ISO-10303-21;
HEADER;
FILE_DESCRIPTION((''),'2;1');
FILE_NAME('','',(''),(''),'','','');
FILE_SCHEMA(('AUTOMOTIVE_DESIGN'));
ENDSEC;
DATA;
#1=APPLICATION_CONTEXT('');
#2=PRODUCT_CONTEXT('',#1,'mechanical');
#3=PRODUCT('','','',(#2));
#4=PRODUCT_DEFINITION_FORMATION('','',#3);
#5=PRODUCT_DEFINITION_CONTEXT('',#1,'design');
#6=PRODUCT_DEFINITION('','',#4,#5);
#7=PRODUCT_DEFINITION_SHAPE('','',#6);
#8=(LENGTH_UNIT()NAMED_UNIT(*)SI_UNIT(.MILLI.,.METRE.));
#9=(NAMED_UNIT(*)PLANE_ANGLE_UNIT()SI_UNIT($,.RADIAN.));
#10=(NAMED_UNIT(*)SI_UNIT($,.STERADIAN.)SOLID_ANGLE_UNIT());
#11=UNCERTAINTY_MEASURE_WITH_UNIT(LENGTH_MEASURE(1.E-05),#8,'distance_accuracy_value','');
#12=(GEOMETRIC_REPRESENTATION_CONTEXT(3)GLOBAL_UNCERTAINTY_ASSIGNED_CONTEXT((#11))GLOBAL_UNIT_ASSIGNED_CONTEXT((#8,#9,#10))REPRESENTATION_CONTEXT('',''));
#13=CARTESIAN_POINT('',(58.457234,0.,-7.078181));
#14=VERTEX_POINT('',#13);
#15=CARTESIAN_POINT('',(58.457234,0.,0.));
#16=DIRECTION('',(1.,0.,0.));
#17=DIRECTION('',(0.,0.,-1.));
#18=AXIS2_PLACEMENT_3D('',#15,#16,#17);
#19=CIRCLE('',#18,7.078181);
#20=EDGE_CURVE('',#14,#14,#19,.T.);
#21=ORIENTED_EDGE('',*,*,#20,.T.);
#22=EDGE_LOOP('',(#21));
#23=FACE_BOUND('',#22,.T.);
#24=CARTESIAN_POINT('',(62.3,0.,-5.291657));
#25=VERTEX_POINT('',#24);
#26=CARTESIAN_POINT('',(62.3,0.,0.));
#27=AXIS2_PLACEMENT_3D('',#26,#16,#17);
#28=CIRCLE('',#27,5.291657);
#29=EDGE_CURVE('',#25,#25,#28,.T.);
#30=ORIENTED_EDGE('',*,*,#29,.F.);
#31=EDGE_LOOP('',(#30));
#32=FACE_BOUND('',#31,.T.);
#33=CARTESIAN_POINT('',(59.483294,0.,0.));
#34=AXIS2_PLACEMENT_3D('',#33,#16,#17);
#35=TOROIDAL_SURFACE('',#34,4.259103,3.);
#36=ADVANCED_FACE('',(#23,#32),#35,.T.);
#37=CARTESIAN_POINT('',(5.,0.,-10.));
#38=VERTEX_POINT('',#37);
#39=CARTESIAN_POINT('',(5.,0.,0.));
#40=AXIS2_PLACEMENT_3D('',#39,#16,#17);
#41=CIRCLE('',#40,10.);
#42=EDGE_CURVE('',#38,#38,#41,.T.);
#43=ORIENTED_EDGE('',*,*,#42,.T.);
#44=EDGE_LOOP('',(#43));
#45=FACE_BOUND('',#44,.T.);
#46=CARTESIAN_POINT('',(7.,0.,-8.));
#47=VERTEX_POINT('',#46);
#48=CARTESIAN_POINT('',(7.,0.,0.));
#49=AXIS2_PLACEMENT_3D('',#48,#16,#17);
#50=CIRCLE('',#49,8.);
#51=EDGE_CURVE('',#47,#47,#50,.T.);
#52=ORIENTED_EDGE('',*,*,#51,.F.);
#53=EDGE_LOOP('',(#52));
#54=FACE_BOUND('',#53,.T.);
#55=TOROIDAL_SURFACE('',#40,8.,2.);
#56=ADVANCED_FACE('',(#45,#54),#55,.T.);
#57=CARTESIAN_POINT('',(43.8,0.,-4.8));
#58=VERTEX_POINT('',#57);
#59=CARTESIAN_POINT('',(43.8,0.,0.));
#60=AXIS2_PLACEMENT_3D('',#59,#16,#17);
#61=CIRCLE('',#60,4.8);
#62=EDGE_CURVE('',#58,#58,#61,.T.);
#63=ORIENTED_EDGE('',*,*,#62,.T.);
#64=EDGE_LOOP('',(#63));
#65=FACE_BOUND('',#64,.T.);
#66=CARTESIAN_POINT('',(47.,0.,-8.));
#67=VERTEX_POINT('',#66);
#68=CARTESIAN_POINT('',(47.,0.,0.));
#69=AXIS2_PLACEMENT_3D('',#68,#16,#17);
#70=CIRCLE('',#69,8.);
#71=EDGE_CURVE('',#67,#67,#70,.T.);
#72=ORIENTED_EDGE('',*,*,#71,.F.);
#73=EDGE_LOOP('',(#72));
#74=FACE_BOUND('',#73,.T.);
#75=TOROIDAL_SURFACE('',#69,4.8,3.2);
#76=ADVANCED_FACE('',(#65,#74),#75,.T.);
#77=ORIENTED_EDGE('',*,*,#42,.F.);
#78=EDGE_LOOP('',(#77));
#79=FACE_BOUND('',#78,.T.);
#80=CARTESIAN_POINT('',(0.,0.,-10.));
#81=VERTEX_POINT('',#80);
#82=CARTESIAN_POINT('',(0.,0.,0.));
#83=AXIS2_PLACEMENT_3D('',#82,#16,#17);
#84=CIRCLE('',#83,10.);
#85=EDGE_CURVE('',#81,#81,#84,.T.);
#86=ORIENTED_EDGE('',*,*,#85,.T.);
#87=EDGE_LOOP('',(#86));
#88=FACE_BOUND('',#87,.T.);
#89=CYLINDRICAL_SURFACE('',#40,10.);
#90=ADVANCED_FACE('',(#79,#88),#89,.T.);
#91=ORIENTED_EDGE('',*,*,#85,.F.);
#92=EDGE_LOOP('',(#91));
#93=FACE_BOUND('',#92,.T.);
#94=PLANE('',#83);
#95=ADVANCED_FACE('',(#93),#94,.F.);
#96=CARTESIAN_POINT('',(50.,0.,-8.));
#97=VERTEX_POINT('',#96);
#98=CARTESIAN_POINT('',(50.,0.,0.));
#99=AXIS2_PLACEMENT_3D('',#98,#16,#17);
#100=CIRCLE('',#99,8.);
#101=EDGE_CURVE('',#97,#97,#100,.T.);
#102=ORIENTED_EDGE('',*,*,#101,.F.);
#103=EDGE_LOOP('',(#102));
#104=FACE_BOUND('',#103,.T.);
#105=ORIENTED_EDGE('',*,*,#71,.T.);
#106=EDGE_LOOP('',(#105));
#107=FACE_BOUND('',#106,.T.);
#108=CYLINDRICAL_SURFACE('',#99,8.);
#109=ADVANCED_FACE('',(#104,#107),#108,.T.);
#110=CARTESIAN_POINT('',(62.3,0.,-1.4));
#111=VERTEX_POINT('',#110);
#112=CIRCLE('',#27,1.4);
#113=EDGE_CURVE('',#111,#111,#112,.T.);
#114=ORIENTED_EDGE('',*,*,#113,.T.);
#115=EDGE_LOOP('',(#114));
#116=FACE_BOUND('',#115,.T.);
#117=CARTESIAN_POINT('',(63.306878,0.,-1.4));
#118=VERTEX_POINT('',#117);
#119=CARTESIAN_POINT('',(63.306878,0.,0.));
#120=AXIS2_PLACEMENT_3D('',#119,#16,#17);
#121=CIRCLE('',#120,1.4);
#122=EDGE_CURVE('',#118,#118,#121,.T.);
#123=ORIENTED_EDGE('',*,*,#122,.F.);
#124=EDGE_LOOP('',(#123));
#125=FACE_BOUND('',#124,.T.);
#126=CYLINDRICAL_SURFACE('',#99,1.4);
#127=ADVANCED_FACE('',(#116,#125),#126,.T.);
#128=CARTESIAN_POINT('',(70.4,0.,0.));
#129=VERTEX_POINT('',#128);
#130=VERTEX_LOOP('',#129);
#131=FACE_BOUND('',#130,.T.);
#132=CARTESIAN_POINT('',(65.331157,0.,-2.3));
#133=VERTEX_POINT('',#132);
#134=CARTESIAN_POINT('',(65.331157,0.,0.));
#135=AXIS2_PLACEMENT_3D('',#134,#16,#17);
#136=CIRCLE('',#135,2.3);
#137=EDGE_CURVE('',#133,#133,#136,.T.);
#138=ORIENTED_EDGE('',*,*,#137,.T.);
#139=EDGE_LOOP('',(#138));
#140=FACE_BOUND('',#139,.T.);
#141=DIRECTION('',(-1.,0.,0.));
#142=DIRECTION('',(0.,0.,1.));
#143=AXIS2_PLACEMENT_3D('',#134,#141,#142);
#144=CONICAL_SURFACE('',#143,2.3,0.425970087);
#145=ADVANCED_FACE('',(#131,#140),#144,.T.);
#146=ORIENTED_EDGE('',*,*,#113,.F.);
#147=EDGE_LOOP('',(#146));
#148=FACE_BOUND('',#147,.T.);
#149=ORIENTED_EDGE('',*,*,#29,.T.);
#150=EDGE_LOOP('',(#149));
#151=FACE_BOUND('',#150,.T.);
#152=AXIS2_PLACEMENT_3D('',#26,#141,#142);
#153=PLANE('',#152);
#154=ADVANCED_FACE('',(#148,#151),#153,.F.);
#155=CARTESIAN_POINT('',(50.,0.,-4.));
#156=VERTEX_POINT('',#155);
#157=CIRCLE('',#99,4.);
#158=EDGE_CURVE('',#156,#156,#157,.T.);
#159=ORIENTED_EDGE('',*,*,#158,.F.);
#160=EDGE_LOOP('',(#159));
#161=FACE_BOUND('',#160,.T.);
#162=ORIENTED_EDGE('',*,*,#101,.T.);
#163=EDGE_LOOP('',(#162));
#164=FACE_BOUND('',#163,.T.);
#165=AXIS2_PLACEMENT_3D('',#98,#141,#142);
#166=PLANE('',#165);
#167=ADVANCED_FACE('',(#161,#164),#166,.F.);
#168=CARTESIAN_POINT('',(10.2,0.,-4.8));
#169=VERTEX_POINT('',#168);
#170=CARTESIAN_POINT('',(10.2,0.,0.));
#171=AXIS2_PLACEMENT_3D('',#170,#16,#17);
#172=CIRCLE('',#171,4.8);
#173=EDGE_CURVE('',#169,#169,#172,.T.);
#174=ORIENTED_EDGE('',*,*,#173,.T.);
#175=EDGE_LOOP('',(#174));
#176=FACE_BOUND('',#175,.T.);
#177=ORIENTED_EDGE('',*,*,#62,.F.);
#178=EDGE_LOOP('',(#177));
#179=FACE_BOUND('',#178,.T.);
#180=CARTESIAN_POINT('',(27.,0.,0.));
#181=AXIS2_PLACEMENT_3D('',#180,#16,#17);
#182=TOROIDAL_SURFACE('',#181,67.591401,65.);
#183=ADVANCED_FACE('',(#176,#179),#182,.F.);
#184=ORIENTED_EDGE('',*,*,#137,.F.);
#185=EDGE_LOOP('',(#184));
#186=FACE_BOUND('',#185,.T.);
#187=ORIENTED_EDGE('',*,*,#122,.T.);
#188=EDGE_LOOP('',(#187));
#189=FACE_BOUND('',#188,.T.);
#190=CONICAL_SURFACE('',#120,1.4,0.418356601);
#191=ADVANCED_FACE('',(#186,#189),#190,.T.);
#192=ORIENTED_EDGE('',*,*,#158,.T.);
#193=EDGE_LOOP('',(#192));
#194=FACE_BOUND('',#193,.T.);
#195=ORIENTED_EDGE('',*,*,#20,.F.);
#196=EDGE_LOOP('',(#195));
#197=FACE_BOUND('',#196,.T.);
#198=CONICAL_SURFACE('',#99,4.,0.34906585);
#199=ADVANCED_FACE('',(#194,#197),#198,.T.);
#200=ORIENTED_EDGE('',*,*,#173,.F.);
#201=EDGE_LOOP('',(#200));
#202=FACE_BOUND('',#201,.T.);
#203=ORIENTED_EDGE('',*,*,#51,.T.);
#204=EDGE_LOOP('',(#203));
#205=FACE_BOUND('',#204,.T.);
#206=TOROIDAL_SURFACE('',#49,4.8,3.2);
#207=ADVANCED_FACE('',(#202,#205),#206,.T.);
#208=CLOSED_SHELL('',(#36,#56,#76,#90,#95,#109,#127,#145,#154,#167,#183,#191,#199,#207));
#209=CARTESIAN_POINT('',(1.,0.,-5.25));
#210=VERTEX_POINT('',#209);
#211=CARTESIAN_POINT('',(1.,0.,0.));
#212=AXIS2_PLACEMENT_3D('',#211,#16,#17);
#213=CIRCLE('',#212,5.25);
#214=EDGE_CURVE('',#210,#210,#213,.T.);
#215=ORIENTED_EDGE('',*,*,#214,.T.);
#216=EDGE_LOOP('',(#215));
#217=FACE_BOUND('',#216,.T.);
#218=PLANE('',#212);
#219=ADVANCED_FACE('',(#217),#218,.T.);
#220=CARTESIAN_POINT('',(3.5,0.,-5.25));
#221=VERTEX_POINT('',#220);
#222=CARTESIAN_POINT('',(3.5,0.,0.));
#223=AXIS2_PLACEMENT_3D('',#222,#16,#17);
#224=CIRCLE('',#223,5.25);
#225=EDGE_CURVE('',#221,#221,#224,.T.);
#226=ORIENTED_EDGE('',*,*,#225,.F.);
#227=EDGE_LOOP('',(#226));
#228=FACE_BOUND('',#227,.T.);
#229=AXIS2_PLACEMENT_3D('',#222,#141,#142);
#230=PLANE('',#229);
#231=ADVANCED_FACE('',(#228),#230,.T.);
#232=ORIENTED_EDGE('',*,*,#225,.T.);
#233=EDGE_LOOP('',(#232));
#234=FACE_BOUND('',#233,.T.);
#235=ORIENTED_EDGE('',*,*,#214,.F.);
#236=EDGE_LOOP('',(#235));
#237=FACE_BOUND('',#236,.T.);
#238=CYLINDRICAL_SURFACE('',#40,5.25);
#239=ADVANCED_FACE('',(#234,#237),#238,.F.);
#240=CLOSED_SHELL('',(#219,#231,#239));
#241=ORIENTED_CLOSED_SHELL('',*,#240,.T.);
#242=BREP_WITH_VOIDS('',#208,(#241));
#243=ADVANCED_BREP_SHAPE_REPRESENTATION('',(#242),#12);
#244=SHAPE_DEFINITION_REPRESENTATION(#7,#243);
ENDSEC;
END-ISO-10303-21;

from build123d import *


with BuildPart() as part:
    # Sketch 153 → Повернуть1 (revolve)
    with BuildSketch(Plane(origin=(0, 0, 0), x_dir=(1, 0, 0), z_dir=(0, 1, 0))):
        Polygon((0, 10), (0, 0), (1, 0), (1, 5.25), (3.5, 5.25), (3.5, 0), (5, 0), (5, 10), align=None)
        with BuildLine():
            ThreePointArc((7, 8), (6.414213562, 9.414213562), (5, 10))
            Line((5, 10), (5, 0))
            Line((5, 0), (7, 0))
            Line((7, 0), (7, 8))
        make_face()
        with BuildLine():
            ThreePointArc((10.2, 4.8), (9.2627417, 7.0627417), (7, 8))
            Line((7, 8), (7, 0))
            Line((7, 0), (10.2, 0))
            Line((10.2, 0), (10.2, 4.8))
        make_face()
    revolve(axis=Axis((5, 0, 0), (-1, 0, 0)))

    # Sketch 880 → Повернуть2 (revolve)
    with BuildSketch(Plane(origin=(0, 0, 0), x_dir=(1, 0, 0), z_dir=(0, 1, 0))):
        with BuildLine():
            Line((10.2, 4.8), (10.2, 0))
            Line((10.2, 0), (70.4, 0))
            Line((70.4, 0), (65.331156927, 2.3))
            Line((65.331156927, 2.3), (63.30687842, 1.4))
            Line((63.30687842, 1.4), (62.3, 1.4))
            Line((62.3, 1.4), (62.3, 5.291657255))
            ThreePointArc((62.3, 5.291657255), (60.748015293, 6.979485771), (58.457233587, 7.07818129))
            Line((58.457233587, 7.07818129), (50, 4))
            Line((50, 4), (50, 8))
            Line((50, 8), (47, 8))
            ThreePointArc((47, 8), (44.7372583, 7.0627417), (43.8, 4.8))
            ThreePointArc((43.8, 4.8), (27, 2.591400685), (10.2, 4.8))
        make_face()
    revolve(axis=Axis((50, 0, 0), (-1, 0, 0)))


solid = part.part
